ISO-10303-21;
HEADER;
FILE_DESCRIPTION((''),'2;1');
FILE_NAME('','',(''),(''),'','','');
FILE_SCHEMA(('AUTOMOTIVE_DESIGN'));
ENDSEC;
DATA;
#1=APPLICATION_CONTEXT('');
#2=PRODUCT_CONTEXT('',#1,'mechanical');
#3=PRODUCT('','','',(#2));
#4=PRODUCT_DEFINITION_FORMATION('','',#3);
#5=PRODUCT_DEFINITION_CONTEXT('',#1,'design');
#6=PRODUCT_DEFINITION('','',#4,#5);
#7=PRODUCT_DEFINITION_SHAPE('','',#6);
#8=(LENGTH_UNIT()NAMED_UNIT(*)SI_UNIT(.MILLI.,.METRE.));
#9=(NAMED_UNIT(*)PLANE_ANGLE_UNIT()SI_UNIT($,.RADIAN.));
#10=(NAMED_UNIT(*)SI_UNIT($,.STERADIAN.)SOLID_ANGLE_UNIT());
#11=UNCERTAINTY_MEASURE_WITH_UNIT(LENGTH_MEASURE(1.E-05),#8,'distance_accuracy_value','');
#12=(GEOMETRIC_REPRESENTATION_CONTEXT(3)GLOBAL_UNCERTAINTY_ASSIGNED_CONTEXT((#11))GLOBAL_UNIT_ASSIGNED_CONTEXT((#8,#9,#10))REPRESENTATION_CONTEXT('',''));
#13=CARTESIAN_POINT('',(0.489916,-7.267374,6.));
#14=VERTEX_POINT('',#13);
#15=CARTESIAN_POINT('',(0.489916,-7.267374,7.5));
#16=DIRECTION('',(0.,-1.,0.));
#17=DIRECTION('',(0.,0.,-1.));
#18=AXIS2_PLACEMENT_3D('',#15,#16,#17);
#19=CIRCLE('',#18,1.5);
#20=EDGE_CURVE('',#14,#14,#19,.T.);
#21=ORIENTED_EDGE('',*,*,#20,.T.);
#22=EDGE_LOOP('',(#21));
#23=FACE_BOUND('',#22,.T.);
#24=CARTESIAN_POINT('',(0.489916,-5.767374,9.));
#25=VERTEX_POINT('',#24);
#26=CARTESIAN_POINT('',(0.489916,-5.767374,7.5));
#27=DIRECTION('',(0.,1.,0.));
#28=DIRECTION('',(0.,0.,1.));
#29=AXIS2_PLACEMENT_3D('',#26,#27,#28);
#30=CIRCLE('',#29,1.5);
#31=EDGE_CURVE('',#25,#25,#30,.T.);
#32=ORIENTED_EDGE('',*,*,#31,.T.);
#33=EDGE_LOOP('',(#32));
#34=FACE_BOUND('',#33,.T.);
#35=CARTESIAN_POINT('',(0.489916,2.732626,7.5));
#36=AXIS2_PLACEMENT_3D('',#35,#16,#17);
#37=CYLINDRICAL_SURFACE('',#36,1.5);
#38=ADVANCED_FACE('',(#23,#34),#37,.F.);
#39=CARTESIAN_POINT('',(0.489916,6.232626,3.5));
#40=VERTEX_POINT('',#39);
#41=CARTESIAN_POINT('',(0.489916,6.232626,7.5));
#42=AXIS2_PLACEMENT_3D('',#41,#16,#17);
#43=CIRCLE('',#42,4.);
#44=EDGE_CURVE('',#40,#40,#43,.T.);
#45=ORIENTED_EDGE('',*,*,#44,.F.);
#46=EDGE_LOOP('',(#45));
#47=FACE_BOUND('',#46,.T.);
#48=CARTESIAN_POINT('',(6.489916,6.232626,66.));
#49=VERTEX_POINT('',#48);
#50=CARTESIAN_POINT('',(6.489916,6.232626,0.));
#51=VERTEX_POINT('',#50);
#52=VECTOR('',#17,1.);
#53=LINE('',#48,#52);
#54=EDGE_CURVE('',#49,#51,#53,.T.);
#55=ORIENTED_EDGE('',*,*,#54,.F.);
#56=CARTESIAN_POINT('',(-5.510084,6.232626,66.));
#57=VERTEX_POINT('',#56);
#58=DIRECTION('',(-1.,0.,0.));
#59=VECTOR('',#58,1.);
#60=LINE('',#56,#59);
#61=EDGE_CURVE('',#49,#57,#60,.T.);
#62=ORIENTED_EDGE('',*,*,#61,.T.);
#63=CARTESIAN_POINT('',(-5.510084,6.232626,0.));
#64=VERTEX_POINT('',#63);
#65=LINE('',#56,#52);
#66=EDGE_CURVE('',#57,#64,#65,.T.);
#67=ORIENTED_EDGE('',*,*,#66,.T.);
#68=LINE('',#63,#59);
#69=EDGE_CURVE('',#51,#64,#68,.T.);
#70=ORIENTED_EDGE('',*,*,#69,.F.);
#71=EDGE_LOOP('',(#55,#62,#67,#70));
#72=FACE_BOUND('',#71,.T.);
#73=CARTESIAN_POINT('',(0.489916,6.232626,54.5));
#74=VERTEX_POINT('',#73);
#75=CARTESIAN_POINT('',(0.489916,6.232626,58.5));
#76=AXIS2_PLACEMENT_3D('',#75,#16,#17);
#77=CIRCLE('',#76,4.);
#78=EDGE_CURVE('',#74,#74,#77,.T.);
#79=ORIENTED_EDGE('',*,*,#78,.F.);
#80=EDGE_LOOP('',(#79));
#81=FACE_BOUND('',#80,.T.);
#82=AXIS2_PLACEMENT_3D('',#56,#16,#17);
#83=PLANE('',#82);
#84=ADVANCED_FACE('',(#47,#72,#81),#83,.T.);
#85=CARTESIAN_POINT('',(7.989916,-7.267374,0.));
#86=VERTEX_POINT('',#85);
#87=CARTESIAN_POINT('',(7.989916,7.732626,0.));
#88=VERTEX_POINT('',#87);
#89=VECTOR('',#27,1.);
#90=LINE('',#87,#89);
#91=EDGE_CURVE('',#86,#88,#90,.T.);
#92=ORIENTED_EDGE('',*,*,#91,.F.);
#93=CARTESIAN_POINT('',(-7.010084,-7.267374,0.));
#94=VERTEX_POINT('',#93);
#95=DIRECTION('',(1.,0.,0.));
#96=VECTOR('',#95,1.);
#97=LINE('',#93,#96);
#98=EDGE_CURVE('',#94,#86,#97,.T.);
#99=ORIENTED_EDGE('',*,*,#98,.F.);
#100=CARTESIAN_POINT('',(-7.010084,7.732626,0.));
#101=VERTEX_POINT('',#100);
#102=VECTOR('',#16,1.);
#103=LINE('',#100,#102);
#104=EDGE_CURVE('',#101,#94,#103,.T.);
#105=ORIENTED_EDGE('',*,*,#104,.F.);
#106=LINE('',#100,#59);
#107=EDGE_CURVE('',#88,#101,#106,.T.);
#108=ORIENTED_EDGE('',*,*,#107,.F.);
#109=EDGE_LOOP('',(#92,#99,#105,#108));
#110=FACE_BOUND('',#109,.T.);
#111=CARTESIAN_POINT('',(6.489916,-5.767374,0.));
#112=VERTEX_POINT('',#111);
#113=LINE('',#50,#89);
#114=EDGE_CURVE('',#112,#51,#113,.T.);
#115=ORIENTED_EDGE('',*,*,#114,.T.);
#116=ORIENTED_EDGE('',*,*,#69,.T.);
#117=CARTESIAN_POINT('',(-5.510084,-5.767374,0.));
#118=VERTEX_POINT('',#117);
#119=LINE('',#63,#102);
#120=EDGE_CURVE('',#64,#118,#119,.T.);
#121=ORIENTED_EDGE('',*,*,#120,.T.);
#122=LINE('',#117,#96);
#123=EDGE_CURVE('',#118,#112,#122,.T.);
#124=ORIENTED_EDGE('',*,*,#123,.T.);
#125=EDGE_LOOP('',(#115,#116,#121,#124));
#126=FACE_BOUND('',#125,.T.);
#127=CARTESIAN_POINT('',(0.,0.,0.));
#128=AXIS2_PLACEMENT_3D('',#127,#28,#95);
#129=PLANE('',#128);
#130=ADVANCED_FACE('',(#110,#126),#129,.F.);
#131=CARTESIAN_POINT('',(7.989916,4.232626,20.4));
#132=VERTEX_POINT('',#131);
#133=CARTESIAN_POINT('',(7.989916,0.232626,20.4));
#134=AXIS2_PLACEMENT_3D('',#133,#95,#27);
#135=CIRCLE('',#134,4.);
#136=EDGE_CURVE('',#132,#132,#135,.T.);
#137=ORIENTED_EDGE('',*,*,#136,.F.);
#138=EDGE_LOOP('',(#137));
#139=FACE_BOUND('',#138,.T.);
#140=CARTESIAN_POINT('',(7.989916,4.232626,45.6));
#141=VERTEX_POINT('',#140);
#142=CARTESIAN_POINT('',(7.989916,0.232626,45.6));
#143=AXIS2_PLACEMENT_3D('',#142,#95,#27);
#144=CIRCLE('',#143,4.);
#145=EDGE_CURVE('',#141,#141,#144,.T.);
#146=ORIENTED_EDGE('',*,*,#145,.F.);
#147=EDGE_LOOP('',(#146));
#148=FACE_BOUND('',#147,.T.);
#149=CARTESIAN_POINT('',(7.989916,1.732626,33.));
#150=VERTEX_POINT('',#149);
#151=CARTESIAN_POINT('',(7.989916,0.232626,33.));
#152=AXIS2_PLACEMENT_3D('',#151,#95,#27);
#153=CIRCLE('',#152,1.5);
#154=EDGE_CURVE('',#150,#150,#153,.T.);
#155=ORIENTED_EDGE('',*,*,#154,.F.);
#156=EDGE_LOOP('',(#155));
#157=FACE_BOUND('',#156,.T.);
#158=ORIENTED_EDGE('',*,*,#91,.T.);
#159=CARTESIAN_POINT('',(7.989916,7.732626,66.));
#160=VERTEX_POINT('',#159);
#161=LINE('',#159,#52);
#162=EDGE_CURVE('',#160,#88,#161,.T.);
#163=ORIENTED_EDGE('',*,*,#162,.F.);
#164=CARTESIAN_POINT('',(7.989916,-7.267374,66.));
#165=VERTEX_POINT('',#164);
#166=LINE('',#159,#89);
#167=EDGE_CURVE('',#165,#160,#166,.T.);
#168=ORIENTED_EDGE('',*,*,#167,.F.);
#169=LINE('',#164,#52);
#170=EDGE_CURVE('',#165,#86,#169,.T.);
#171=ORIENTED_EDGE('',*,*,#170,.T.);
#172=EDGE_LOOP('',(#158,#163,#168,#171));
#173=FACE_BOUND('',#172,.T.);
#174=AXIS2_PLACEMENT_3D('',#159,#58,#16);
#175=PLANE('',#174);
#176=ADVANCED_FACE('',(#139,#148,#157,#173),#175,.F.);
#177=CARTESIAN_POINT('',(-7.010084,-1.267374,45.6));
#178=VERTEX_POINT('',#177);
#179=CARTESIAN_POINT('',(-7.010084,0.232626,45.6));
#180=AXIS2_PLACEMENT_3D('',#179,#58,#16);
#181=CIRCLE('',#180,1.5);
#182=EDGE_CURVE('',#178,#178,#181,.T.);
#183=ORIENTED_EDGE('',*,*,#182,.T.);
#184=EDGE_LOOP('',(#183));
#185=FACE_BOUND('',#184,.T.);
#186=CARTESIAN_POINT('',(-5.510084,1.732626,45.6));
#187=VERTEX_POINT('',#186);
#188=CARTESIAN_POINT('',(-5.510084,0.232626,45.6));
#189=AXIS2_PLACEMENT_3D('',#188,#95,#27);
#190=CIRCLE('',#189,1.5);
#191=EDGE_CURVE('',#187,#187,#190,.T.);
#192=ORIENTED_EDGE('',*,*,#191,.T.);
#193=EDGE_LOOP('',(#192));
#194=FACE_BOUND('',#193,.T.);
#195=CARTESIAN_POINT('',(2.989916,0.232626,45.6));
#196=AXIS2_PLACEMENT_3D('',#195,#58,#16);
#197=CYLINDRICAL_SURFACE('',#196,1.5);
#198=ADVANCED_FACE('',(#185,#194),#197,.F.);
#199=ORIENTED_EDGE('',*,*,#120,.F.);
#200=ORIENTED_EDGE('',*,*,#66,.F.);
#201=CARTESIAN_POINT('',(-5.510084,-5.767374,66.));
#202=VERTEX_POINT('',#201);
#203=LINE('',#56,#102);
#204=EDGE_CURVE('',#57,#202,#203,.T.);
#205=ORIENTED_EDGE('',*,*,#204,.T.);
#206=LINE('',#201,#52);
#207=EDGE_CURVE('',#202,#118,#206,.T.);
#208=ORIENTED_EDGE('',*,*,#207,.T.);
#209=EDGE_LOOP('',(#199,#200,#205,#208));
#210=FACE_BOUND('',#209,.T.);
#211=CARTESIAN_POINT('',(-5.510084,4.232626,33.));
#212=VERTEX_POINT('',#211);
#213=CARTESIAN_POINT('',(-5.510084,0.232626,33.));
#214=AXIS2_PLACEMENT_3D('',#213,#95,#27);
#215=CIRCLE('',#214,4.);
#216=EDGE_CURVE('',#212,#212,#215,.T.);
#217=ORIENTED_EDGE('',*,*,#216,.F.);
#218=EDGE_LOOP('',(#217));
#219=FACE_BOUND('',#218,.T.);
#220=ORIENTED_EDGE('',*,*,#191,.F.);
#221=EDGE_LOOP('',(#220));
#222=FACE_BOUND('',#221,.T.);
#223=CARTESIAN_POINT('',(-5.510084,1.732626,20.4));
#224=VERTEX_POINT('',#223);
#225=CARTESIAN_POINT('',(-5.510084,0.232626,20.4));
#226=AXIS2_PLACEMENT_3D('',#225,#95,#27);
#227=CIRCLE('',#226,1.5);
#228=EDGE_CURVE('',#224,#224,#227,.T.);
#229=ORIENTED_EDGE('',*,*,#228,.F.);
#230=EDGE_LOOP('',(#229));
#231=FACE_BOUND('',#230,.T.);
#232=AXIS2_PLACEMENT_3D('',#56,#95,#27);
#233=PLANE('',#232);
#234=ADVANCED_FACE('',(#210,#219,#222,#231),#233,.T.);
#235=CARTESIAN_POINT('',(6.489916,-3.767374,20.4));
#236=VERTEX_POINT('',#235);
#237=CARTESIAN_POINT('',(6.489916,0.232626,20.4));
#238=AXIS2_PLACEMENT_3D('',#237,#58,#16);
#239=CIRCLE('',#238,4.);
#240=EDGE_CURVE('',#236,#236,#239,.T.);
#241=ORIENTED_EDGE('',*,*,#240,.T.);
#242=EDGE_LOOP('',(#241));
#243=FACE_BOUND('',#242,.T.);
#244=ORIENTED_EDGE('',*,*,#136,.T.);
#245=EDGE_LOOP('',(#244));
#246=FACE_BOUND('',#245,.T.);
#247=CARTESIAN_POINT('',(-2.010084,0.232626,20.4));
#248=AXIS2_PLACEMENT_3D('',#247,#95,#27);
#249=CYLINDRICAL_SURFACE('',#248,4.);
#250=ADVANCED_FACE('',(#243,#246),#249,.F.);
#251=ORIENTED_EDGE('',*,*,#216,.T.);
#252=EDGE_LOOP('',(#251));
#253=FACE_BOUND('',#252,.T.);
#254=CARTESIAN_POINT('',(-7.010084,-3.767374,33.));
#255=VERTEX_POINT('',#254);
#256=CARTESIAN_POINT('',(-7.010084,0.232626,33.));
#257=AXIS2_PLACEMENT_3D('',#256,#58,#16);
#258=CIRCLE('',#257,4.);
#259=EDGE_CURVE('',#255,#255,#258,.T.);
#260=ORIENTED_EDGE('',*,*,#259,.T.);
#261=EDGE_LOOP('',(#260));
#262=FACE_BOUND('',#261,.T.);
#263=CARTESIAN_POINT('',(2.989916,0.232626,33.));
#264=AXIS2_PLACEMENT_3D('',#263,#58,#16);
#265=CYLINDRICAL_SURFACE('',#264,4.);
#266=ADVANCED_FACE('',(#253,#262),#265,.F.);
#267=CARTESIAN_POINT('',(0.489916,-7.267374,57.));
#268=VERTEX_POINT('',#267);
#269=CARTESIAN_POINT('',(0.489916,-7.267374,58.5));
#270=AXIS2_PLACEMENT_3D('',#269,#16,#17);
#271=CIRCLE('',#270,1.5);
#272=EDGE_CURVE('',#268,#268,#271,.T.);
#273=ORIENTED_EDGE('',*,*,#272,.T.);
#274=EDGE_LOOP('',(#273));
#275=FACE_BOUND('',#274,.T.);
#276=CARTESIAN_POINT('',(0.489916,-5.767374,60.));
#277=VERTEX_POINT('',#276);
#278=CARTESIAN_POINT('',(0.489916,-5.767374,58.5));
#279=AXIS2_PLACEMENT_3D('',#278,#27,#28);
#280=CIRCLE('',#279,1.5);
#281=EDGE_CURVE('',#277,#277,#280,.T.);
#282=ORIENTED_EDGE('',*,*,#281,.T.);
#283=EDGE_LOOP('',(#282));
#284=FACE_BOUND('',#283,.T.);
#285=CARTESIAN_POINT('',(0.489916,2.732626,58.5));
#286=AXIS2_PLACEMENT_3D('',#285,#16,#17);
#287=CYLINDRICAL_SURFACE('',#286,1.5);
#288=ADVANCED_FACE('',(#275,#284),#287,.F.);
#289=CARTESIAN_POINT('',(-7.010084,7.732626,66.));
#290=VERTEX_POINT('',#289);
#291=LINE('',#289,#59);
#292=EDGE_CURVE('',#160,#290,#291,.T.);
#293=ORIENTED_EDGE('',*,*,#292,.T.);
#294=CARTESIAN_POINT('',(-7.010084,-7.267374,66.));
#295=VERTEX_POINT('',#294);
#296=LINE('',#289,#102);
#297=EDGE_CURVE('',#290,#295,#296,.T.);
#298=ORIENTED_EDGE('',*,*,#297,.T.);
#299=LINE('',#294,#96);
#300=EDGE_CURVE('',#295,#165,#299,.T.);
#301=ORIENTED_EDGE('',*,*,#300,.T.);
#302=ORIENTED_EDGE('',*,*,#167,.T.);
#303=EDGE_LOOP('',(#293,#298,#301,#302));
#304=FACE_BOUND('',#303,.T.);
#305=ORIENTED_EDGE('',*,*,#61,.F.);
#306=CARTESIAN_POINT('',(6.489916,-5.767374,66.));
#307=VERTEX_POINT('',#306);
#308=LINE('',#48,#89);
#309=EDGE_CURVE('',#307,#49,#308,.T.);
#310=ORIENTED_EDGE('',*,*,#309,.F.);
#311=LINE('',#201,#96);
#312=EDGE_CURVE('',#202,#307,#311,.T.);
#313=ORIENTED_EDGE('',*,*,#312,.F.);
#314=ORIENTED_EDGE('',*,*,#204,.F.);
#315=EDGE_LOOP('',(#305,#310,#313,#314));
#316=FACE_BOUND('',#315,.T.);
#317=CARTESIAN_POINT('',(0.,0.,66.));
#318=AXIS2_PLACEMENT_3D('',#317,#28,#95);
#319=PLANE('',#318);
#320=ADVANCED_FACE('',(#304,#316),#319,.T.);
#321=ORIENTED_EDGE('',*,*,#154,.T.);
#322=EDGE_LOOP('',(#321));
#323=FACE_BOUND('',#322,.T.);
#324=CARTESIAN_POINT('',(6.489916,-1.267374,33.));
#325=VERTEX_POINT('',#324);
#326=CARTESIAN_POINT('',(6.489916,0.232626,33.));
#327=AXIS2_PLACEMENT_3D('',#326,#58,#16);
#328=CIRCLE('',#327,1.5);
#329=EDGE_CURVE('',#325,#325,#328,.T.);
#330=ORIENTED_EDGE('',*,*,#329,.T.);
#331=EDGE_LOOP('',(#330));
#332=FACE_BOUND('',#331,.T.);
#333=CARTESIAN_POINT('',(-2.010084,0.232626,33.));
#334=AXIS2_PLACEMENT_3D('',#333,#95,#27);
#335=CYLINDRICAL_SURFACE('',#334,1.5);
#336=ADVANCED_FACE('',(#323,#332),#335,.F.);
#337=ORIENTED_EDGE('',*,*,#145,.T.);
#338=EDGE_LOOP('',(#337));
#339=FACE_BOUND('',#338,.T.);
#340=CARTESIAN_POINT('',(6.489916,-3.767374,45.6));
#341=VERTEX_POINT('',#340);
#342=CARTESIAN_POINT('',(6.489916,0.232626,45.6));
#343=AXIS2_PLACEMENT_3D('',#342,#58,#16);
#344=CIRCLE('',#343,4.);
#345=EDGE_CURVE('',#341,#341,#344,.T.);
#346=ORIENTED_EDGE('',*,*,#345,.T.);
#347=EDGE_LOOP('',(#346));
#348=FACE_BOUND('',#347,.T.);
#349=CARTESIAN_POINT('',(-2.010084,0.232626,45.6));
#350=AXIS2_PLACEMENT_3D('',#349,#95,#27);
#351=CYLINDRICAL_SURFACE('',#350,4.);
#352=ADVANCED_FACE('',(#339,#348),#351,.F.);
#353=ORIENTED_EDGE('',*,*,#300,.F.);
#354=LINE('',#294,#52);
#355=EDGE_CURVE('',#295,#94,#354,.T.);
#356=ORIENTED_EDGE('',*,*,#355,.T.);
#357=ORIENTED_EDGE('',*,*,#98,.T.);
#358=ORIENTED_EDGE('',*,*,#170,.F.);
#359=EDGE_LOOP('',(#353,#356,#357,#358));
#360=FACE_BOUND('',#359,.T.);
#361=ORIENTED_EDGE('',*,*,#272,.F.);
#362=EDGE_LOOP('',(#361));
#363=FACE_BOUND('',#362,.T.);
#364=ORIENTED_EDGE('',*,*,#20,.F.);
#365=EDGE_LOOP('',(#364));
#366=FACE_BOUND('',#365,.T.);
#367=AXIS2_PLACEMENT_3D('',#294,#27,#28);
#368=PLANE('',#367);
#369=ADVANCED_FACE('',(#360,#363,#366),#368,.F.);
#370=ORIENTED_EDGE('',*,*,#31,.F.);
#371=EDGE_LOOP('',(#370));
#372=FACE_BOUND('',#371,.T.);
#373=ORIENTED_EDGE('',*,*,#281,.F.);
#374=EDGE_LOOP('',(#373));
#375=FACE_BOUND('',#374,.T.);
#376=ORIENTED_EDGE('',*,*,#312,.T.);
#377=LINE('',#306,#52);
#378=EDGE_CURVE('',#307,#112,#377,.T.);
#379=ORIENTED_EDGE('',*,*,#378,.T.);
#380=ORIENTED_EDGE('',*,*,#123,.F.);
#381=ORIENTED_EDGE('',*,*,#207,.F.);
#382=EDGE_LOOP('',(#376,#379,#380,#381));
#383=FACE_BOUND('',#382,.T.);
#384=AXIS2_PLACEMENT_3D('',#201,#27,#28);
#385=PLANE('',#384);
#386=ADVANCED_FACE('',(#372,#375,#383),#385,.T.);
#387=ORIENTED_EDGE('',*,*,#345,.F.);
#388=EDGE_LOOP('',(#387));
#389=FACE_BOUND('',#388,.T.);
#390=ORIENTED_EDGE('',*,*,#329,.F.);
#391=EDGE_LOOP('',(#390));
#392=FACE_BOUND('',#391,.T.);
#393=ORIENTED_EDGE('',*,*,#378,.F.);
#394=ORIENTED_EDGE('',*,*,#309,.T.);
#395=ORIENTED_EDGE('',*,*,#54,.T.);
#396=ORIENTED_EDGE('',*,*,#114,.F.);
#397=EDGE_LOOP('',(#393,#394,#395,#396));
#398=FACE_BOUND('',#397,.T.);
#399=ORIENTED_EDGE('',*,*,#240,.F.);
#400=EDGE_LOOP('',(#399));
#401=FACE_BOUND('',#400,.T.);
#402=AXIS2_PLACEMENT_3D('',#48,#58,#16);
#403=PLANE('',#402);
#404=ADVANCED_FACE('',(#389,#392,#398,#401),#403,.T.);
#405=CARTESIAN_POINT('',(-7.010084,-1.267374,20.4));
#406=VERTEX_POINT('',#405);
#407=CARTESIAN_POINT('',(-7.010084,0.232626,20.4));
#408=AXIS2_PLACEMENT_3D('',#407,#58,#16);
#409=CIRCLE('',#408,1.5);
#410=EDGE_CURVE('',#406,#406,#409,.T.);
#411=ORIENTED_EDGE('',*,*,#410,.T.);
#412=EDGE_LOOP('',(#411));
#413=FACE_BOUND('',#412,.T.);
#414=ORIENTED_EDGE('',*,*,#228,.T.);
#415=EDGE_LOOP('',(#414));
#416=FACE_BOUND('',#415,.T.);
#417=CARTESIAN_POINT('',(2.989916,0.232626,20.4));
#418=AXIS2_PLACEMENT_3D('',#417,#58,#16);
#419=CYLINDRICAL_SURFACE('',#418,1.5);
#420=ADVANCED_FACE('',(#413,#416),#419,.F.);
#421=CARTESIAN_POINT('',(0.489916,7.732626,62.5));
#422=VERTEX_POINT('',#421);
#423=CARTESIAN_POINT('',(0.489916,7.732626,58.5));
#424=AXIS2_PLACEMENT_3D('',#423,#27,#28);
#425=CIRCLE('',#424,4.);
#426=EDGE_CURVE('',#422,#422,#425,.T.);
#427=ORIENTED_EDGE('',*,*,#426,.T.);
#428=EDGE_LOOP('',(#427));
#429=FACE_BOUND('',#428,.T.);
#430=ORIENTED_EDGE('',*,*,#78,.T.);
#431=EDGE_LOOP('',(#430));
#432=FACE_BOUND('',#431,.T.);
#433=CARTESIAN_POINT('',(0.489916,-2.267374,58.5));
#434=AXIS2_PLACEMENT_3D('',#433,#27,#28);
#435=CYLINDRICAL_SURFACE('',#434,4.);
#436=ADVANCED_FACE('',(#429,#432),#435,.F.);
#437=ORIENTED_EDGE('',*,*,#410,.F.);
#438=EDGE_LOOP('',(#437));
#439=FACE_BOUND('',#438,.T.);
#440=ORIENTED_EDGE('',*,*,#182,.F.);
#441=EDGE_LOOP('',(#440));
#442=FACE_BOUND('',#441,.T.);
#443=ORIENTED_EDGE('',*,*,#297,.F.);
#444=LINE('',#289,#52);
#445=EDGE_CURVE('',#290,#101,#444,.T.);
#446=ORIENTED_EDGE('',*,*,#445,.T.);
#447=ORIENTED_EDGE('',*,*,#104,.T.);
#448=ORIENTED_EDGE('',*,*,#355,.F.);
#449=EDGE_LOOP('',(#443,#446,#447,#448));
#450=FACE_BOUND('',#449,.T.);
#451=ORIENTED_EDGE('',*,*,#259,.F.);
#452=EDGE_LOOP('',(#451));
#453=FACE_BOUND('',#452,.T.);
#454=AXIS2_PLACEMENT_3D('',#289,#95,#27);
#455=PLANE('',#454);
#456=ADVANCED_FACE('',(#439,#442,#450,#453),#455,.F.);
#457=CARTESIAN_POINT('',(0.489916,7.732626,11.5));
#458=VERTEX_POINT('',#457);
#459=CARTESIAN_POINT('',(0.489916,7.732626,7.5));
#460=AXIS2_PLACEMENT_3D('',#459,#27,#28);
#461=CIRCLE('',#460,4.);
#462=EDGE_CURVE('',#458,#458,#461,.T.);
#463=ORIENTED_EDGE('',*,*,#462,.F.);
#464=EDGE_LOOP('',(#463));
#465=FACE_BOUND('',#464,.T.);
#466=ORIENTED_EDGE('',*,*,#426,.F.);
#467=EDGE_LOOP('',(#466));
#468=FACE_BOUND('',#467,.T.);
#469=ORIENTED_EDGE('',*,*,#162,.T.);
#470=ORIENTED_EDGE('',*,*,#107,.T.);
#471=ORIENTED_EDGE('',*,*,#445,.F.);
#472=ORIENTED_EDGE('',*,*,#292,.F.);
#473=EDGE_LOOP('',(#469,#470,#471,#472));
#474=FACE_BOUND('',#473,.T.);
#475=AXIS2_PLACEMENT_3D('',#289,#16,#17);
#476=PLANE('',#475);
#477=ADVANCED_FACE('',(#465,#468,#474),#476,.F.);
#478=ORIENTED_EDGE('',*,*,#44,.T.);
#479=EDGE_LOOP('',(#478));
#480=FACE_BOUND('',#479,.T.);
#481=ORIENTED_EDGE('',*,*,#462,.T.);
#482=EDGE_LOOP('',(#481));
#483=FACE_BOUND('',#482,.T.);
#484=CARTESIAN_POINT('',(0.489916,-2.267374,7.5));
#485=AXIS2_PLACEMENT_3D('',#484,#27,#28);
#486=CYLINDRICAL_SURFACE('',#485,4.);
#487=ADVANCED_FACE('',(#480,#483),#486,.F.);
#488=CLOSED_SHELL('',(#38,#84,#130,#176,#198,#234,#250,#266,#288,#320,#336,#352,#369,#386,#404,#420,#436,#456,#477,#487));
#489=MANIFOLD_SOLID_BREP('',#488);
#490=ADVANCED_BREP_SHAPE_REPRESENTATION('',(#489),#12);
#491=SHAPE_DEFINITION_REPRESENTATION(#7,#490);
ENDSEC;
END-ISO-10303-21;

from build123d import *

# Parameters (mm, degrees)
SKETCH_1_W          = 15
SKETCH_1_H          = 15
SKETCH_1_W_2        = 12
SKETCH_1_H_2        = 12
EXTRUDE_2_DEPTH     = 66
SKETCH_3_R          = 4
CUT_EXTRUDE_1_DEPTH = 10
SKETCH_4_R          = 4
CUT_EXTRUDE_2_DEPTH = 10
SKETCH_5_R          = 4
CUT_EXTRUDE_3_DEPTH = 10
SKETCH_6_R          = 1.5
CUT_EXTRUDE_4_DEPTH = 10
SKETCH_7_R          = 1.5
CUT_EXTRUDE_5_DEPTH = 10
SKETCH_8_R          = 1.5
CUT_EXTRUDE_6_DEPTH = 10
SKETCH_9_R          = 4
CUT_EXTRUDE_7_DEPTH = 10


with BuildPart() as part:
    # ｽｹｯﾁ1 → ﾎﾞｽ - 押し出し2 (new body)
    with BuildSketch(Plane.XY):
        with Locations((0.489915859, 0.232626086)):
            Rectangle(SKETCH_1_W, SKETCH_1_H)
        with Locations((0.489915859, 0.232626086)):
            Rectangle(SKETCH_1_W_2, SKETCH_1_H_2, mode=Mode.SUBTRACT)
    extrude(amount=EXTRUDE_2_DEPTH)

    # ｽｹｯﾁ3 → ｶｯﾄ - 押し出し1 (cut)
    with BuildSketch(Plane(origin=(0, 7.732626086, 0), x_dir=(1, 0, 0), z_dir=(0, 1, 0))):
        with Locations((0.489915859, -58.5)):
            Circle(SKETCH_3_R)
    extrude(amount=-CUT_EXTRUDE_1_DEPTH, mode=Mode.SUBTRACT)

    # ｽｹｯﾁ4 → ｶｯﾄ - 押し出し2 (cut)
    with BuildSketch(Plane(origin=(0, 7.732626086, 0), x_dir=(1, 0, 0), z_dir=(0, 1, 0))):
        with Locations((0.489915859, -7.5)):
            Circle(SKETCH_4_R)
    extrude(amount=-CUT_EXTRUDE_2_DEPTH, mode=Mode.SUBTRACT)

    # ｽｹｯﾁ5 → ｶｯﾄ - 押し出し3 (cut)
    with BuildSketch(Plane.ZY.offset(7.010084141)):
        with Locations((33, 0.232626086)):
            Circle(SKETCH_5_R)
    extrude(amount=-CUT_EXTRUDE_3_DEPTH, mode=Mode.SUBTRACT)

    # ｽｹｯﾁ6 → ｶｯﾄ - 押し出し4 (cut)
    with BuildSketch(Plane(origin=(7.989915859, 0, 0), x_dir=(0, 0, -1), z_dir=(1, 0, 0))):
        with Locations((-33, 0.232626086)):
            Circle(SKETCH_6_R)
    extrude(amount=-CUT_EXTRUDE_4_DEPTH, mode=Mode.SUBTRACT)

    # ｽｹｯﾁ7 → ｶｯﾄ - 押し出し5 (cut)
    with BuildSketch(Plane.XZ.offset(7.267373914)):
        with Locations((0.489915859, 58.5)):
            Circle(SKETCH_7_R)
        with Locations((0.489915859, 7.5)):
            Circle(SKETCH_7_R)
    extrude(amount=-CUT_EXTRUDE_5_DEPTH, mode=Mode.SUBTRACT)

    # ｽｹｯﾁ8 → ｶｯﾄ - 押し出し6 (cut)
    with BuildSketch(Plane.ZY.offset(7.010084141)):
        with Locations((45.6, 0.232626086)):
            Circle(SKETCH_8_R)
        with Locations((20.4, 0.232626086)):
            Circle(SKETCH_8_R)
    extrude(amount=-CUT_EXTRUDE_6_DEPTH, mode=Mode.SUBTRACT)

    # ｽｹｯﾁ9 → ｶｯﾄ - 押し出し7 (cut)
    with BuildSketch(Plane(origin=(7.989915859, 0, 0), x_dir=(0, 0, -1), z_dir=(1, 0, 0))):
        with Locations((-20.4, 0.232626086)):
            Circle(SKETCH_9_R)
        with Locations((-45.6, 0.232626086)):
            Circle(SKETCH_9_R)
    extrude(amount=-CUT_EXTRUDE_7_DEPTH, mode=Mode.SUBTRACT)


solid = part.part
